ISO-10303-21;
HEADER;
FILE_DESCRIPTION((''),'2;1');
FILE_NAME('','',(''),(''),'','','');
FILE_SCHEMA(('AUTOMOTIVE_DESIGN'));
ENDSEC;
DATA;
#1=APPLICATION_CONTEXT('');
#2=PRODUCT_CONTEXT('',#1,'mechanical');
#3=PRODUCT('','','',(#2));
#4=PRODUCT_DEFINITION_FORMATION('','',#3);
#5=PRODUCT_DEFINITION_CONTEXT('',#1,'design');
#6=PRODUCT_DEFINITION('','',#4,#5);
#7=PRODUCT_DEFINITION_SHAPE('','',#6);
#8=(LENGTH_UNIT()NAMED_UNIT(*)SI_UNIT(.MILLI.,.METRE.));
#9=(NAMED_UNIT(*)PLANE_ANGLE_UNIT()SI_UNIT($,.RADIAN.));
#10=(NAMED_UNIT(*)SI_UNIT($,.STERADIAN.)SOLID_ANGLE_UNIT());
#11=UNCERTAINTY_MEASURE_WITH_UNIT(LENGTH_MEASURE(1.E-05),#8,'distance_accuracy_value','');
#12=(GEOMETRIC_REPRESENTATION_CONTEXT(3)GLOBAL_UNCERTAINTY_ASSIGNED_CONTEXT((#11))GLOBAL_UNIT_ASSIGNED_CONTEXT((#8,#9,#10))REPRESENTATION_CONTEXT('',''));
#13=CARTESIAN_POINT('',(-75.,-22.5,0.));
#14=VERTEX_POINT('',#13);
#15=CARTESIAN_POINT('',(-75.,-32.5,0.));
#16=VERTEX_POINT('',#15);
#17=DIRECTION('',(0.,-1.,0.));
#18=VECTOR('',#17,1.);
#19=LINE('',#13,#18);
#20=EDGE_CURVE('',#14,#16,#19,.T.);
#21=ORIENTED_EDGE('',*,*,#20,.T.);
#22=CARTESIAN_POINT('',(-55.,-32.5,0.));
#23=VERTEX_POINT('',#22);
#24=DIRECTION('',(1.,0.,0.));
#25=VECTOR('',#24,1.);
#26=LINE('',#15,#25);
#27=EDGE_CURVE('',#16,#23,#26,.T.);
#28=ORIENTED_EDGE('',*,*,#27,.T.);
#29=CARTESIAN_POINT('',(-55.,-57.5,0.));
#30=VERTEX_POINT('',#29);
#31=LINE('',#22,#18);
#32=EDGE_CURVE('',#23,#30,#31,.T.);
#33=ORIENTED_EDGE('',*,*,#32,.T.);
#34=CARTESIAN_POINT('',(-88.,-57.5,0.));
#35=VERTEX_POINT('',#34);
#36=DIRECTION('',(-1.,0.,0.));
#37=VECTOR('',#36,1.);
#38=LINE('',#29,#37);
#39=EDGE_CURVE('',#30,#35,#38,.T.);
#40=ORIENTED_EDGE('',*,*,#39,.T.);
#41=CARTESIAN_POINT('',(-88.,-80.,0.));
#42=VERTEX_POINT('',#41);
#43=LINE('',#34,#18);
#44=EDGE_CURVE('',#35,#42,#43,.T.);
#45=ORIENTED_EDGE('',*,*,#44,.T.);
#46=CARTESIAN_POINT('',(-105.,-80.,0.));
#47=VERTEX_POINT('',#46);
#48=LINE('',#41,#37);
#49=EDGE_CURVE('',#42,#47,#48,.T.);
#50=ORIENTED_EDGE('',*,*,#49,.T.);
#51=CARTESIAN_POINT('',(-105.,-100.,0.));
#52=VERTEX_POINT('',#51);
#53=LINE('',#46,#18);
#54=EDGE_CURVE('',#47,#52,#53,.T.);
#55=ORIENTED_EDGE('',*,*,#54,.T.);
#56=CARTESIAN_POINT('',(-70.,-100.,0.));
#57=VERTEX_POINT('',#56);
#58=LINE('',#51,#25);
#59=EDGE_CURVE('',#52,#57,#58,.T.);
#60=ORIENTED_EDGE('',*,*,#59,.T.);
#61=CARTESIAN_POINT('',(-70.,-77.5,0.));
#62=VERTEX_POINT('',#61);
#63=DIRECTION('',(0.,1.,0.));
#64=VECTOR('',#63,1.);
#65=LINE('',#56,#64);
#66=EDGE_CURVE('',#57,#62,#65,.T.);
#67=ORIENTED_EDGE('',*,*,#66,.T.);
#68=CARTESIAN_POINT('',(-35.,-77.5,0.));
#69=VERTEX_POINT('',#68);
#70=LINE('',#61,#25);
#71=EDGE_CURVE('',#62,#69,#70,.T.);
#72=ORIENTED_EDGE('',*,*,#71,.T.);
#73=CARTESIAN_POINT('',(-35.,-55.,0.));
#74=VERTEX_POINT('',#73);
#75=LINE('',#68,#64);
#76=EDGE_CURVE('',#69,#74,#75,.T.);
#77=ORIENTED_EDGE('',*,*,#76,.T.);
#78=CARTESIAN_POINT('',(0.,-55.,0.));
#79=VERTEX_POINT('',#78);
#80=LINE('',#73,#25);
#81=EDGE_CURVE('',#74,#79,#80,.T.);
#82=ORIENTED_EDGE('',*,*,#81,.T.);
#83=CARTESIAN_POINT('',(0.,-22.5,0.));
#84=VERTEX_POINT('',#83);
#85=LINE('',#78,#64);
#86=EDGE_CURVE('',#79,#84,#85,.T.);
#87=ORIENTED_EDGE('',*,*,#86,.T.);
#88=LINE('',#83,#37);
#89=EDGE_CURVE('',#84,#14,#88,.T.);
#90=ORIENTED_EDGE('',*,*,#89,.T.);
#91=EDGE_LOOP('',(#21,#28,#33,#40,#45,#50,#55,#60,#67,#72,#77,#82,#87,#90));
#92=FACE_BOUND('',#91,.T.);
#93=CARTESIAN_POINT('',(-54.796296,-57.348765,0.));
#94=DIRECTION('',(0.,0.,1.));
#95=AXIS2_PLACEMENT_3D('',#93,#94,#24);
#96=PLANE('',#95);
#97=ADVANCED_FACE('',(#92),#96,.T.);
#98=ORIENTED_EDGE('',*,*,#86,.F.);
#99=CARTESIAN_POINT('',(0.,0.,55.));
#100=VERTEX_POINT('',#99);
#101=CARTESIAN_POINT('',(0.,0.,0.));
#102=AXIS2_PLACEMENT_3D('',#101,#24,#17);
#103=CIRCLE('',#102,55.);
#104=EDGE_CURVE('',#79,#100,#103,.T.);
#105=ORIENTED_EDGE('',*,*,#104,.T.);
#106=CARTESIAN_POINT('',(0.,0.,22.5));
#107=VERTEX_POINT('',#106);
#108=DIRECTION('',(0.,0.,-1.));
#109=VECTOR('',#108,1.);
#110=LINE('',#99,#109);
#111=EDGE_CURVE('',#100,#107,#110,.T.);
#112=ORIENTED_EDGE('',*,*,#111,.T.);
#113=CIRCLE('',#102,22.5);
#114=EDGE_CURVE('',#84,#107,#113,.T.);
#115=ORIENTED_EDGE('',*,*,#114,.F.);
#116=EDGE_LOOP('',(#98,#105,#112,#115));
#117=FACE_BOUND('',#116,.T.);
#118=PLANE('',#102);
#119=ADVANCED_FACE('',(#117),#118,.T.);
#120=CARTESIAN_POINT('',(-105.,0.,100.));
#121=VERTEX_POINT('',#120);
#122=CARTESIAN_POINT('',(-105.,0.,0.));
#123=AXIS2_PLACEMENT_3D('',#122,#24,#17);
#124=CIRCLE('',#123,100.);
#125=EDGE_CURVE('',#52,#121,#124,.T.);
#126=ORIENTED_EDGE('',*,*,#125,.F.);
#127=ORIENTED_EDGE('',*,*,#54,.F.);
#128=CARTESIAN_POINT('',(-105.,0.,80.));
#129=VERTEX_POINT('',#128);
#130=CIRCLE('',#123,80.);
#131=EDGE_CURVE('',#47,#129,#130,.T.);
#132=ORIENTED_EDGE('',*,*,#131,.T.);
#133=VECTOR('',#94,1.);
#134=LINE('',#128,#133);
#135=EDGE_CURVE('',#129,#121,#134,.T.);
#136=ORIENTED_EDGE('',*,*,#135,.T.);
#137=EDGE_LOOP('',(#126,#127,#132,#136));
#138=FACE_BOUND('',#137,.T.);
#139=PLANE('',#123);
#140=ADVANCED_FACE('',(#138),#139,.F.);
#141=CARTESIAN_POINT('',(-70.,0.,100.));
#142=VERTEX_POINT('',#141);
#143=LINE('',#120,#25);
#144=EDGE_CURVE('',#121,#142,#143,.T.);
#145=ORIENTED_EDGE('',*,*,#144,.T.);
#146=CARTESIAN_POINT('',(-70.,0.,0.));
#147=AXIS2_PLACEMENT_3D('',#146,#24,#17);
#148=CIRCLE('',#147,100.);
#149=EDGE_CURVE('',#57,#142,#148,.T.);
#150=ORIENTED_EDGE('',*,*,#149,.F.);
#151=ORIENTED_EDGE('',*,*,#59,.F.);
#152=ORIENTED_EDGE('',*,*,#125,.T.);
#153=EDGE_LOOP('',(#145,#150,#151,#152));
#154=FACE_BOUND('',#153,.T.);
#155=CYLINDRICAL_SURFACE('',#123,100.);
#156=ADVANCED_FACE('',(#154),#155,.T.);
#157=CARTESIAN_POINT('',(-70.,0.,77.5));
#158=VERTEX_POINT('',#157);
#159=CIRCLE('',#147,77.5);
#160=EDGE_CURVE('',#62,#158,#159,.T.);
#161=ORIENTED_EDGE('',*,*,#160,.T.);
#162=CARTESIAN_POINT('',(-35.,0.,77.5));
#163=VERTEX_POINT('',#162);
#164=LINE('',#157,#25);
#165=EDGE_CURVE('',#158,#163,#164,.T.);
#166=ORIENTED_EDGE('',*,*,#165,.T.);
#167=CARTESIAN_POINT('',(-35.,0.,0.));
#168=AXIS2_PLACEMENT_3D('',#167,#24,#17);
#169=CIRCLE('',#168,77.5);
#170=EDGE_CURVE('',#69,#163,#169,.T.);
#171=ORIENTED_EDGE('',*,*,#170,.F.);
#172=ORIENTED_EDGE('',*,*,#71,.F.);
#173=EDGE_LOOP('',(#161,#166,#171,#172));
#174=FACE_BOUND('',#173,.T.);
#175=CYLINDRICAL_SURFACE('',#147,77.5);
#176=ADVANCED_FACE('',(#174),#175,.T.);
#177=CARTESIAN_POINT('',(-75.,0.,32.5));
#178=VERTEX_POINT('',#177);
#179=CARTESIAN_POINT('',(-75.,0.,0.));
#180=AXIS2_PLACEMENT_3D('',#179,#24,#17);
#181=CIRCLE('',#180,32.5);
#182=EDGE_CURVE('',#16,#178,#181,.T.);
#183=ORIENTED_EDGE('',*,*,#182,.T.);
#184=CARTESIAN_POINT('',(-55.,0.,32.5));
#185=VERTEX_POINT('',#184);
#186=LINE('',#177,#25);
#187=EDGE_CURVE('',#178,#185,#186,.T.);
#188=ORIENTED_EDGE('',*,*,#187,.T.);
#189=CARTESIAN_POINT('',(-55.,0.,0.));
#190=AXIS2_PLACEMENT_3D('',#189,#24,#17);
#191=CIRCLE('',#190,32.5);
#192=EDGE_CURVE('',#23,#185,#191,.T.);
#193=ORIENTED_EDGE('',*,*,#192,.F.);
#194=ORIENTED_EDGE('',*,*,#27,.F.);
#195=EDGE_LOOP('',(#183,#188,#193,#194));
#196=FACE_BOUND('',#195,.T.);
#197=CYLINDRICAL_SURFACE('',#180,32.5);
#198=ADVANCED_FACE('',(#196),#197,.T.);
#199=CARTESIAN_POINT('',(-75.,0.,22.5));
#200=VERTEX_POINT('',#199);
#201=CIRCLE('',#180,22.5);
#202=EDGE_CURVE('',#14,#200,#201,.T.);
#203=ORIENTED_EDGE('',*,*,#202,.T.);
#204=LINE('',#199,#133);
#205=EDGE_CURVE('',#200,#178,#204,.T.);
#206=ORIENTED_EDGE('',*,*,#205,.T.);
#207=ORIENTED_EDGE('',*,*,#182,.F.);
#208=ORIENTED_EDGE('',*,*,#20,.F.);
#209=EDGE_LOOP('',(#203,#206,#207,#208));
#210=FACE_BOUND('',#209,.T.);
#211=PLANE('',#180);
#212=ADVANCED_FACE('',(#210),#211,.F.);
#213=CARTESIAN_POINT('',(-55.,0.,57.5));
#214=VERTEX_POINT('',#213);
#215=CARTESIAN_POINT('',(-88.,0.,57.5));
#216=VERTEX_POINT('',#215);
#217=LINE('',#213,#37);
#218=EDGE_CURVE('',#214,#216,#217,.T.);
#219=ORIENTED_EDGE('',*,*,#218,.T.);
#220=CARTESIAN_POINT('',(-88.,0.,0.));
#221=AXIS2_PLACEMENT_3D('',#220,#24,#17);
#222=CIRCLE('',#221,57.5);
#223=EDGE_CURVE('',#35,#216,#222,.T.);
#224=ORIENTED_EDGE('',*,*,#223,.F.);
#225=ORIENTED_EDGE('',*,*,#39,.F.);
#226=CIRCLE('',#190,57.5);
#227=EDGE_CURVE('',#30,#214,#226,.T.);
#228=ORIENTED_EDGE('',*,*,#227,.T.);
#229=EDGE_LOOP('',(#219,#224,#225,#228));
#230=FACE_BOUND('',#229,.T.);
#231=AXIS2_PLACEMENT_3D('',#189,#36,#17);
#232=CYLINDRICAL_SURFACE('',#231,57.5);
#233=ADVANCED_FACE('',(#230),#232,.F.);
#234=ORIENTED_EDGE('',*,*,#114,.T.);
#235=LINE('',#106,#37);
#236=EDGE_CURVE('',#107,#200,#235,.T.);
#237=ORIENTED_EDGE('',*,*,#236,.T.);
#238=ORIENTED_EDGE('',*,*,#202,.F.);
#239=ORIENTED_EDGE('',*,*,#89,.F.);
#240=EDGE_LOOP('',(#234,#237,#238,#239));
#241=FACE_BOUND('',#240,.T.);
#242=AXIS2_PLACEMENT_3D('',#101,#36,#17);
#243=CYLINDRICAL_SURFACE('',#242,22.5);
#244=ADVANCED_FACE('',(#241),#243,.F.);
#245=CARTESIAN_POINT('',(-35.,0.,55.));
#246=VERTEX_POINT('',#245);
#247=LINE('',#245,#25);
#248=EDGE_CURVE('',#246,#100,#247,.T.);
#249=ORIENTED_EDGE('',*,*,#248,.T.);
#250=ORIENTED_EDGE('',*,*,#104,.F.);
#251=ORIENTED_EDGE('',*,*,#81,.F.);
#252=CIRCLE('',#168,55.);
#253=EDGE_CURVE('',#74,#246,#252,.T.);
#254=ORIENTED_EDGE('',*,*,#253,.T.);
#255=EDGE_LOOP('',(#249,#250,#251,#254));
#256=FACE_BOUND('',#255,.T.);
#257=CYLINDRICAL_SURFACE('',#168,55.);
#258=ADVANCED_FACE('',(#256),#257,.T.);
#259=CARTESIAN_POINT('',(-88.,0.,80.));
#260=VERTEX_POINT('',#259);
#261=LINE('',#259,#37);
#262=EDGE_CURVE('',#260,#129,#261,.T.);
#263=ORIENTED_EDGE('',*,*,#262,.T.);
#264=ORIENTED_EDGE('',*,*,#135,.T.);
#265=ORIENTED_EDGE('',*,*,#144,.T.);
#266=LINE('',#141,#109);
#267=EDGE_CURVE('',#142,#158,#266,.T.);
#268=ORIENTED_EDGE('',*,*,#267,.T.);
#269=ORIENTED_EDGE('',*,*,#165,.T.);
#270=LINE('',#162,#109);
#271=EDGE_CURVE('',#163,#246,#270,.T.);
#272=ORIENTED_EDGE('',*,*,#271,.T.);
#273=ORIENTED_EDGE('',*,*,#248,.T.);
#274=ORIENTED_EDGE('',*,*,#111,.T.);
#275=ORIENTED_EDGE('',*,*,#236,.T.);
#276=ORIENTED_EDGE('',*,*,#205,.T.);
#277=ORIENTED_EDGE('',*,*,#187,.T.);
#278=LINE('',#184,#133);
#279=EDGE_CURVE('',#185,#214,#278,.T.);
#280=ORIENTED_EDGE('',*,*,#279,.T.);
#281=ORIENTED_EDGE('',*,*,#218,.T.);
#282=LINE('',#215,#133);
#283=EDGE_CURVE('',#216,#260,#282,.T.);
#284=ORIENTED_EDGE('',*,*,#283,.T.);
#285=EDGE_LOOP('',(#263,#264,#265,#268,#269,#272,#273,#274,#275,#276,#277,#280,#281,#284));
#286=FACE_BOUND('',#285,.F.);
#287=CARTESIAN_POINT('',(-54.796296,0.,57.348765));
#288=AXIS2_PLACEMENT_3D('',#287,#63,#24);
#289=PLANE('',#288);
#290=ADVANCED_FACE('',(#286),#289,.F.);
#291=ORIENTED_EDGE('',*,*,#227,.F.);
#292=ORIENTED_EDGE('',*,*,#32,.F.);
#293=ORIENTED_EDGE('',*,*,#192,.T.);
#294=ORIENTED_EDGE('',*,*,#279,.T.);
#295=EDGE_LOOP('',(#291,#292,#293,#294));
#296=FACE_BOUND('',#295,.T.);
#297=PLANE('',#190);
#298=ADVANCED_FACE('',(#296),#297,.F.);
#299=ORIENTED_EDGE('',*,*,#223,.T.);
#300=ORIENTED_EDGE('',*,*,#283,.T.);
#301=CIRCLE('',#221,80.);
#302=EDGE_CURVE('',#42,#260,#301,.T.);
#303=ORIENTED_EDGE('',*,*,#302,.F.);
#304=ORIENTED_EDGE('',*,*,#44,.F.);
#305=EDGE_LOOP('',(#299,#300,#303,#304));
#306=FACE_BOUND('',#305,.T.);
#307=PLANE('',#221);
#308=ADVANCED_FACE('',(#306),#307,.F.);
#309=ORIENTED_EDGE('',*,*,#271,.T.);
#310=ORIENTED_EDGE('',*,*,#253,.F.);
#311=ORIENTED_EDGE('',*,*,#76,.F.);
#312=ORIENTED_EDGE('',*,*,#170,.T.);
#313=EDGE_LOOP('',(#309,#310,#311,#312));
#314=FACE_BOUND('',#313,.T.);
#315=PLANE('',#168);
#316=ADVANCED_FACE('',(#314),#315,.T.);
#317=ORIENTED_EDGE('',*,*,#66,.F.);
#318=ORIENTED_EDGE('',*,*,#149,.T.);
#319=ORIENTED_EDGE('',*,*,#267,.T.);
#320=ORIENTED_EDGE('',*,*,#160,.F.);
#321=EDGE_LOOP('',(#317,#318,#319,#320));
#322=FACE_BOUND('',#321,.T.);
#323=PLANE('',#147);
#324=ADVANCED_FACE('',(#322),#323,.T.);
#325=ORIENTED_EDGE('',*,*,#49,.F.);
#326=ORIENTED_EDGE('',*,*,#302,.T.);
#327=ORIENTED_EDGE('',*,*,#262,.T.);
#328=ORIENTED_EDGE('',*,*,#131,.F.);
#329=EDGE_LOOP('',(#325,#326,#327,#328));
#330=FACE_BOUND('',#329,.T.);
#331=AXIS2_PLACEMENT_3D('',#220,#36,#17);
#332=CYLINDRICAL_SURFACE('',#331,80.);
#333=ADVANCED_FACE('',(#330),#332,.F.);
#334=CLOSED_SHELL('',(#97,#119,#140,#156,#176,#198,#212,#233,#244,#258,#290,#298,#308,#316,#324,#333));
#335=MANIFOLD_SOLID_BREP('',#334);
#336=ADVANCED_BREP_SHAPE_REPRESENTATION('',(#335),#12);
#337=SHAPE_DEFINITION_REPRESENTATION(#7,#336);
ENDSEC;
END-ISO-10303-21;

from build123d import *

# Parameters (mm, degrees)
REVOLUTION_ANGLE = 270


with BuildPart() as part:
    # Sketch → Revolution (revolve)
    with BuildSketch(Plane.XY):
        Polygon((0, -22.5), (-75, -22.5), (-75, -32.5), (-55, -32.5), (-55, -57.5), (-88, -57.5), (-88, -80), (-105, -80), (-105, -100), (-70, -100), (-70, -77.5), (-35, -77.5), (-35, -55), (0, -55), align=None)
    revolve(axis=Axis((0, 0, 0), (1, 0, 0)), revolution_arc=REVOLUTION_ANGLE)


solid = part.part
